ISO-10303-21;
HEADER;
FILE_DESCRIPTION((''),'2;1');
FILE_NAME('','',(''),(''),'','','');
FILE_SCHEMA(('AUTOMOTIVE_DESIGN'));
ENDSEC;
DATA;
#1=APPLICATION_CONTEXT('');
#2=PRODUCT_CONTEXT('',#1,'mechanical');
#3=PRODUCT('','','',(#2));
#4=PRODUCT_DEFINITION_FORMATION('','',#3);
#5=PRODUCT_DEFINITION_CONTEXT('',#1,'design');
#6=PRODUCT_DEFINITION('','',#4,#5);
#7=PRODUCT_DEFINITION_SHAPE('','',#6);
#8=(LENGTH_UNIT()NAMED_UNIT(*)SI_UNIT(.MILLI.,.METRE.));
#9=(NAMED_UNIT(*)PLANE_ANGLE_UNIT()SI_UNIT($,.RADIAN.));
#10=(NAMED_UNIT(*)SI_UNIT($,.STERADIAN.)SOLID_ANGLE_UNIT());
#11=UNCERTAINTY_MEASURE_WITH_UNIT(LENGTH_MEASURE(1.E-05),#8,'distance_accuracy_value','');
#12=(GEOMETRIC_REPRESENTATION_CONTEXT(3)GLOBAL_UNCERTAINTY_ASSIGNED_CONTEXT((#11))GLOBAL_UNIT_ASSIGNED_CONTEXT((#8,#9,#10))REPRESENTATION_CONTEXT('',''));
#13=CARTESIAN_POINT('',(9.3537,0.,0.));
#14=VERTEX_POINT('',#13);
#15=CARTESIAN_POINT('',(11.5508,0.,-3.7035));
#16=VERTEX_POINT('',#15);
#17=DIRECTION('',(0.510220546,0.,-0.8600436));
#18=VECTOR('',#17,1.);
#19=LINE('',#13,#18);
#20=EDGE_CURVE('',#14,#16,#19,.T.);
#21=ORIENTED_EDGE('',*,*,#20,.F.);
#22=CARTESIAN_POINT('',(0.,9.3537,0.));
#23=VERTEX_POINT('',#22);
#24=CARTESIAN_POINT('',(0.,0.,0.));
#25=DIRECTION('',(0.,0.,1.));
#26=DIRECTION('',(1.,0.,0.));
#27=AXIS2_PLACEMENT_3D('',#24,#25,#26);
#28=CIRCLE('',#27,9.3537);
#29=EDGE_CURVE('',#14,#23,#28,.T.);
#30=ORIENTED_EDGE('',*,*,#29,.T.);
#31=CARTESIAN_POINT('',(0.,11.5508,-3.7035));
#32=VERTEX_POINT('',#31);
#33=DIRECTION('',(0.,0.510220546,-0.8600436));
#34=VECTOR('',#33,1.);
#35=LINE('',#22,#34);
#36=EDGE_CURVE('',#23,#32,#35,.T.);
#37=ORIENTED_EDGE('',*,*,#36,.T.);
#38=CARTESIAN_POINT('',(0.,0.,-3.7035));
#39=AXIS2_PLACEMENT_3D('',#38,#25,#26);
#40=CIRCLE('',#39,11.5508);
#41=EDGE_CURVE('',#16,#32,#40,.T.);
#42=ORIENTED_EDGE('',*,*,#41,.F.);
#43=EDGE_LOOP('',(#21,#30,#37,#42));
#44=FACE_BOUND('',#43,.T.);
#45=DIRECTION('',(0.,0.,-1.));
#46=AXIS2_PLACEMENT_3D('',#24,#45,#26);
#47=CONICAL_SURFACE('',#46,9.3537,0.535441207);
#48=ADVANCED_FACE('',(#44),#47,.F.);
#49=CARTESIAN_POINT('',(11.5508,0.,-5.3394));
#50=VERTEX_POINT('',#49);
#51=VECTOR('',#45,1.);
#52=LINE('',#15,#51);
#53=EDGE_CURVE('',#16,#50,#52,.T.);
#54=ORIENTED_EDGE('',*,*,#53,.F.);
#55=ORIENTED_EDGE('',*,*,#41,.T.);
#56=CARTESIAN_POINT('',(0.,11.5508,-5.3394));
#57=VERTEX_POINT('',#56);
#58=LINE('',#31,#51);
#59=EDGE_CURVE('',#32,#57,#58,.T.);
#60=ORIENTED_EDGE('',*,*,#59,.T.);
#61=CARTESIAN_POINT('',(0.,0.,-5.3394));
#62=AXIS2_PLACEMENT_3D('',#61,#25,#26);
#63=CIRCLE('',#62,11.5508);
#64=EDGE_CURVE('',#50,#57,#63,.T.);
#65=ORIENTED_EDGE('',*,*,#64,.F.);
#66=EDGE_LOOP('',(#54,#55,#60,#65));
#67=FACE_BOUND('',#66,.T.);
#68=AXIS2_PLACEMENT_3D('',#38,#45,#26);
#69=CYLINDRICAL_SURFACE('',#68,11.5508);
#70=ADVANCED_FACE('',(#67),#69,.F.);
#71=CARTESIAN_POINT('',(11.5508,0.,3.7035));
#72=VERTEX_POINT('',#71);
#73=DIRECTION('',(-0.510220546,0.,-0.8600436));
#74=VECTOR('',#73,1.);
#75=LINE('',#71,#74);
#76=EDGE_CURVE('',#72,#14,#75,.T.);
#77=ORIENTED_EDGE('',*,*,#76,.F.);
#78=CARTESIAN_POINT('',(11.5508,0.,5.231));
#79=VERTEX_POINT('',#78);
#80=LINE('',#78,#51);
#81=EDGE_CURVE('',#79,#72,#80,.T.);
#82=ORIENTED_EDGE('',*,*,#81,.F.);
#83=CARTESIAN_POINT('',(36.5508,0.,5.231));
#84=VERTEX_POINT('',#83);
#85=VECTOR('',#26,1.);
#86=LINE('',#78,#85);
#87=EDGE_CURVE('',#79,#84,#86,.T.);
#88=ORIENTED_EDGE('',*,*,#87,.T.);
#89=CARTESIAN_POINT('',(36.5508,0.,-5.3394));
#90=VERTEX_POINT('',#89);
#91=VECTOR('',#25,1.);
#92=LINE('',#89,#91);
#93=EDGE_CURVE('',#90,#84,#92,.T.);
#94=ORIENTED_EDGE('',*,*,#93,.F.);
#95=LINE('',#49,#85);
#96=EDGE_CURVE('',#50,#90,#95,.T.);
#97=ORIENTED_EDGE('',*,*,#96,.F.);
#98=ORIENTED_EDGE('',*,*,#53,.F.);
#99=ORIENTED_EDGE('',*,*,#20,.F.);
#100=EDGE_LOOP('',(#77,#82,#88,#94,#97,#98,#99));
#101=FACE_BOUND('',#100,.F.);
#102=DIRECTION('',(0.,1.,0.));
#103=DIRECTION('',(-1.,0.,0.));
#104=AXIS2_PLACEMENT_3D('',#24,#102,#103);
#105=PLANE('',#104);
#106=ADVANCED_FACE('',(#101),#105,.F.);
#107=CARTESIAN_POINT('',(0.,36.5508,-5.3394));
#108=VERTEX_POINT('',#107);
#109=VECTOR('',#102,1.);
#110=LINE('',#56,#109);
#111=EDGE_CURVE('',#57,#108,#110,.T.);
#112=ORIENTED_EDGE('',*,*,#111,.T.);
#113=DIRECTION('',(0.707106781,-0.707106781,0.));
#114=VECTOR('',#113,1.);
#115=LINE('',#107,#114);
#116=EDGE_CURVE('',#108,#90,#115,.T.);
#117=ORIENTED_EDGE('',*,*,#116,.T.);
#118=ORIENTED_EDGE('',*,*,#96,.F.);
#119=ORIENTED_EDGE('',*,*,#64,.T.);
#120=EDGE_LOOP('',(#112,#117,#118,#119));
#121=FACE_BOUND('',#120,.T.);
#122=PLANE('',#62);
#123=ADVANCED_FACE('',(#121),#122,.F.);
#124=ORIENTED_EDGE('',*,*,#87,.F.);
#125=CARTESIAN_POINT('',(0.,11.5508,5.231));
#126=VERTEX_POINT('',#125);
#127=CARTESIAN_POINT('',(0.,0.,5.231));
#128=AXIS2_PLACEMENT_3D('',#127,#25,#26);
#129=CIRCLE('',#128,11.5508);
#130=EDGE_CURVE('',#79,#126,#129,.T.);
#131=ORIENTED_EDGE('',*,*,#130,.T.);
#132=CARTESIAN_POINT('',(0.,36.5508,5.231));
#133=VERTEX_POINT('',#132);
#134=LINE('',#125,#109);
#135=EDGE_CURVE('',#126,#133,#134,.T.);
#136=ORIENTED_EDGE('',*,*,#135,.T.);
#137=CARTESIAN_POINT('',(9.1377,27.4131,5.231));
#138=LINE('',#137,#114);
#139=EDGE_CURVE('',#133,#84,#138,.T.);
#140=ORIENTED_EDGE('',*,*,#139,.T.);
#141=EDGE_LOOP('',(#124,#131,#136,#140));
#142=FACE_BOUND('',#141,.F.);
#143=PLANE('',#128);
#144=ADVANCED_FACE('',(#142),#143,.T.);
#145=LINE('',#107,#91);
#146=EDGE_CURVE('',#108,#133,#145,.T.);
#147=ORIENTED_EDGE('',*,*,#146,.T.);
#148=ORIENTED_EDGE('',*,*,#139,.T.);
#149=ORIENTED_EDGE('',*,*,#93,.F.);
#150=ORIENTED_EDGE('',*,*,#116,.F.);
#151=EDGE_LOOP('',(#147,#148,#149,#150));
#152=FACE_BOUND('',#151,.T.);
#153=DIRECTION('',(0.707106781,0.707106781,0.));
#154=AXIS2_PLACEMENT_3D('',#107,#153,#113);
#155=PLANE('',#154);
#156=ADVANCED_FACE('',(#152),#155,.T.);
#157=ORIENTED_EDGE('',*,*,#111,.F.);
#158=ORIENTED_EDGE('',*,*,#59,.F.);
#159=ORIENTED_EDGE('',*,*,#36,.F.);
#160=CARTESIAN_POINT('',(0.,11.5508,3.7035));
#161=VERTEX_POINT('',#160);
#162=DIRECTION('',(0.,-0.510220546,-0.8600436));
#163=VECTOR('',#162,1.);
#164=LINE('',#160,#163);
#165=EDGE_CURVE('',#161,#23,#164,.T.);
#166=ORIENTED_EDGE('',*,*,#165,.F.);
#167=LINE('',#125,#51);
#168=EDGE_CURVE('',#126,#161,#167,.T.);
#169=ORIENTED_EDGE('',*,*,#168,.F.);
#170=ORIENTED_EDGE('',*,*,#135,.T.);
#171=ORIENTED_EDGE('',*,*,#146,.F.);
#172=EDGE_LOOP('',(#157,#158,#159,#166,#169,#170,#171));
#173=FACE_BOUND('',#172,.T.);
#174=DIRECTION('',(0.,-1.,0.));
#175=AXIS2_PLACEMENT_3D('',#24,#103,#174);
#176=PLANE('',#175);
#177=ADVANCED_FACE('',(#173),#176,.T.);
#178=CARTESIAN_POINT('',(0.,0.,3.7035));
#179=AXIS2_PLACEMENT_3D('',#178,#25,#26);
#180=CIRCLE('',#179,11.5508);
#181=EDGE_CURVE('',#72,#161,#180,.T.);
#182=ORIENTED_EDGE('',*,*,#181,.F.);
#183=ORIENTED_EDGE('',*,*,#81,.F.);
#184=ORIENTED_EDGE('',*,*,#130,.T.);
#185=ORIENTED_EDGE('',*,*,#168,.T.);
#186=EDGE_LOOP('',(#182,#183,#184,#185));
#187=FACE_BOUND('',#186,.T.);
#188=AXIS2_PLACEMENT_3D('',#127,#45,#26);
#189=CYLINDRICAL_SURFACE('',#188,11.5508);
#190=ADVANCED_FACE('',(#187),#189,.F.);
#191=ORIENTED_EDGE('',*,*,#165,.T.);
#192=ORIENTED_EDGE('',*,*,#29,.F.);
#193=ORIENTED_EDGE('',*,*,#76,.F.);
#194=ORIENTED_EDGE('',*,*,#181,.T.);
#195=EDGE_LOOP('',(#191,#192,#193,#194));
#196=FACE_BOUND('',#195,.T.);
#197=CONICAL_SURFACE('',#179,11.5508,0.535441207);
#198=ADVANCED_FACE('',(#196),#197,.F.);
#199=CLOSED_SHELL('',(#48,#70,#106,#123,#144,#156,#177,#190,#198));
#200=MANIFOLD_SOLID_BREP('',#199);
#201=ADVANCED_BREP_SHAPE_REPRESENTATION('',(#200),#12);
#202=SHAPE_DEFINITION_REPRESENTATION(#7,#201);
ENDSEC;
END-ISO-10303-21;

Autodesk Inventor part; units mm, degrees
ref_plane "YZ Plane" through (0, 0, 0) normal (1, 0, 0) x (0, 1, 0)
ref_plane "XZ Plane" through (0, 0, 0) normal (0, 1, 0) x (-1, 0, 0)
sketch "Sketch7" plane through (0, 0, 0) normal (0, 1, 0) x (-1, 0, 0)
  line L0 (0, 0) -> (0, 15.7673)
  line L1 (0, 0) -> (-13.3368, 0) construction
  line L2 (0, 15.7673) -> (-13.3368, 0) construction
  line L3 (0, 15.7673) -> (-18.6413, 0) construction
  line L4 (0, 15.7673) -> (-12.4569, -5.231) construction
  line L5 (0, 0) -> (0, -15.7673)
  line L6 (0, -15.7673) -> (-13.3368, 0) construction
  line L7 (0, -15.7673) -> (-18.6413, 0) construction
  line L8 (0, -15.7673) -> (-12.4569, 5.231) construction
  line L9 (-12.4569, 5.231) -> (-18.6413, 0) construction
  line L10 (-9.3537, 0) -> (-18.5948, -7.8164) construction
  line L11 (-9.3537, 0) -> (-18.0926, 7.3915) construction
  line L12 (0, -29.7093) -> (0, 66.7435) projected
  line L13 (-53.5, -5.9919) -> (-53.5, 6.008)
  line L14 (17.5786, 0) -> (-94.9714, 0) projected
  line L15 (-15.989, 2.2434) -> (-10.6846, -2.2434) construction
  line L16 (-10.6846, 2.2434) -> (-15.989, -2.2434) construction
  line L17 (-26.151, -15.9303) -> (-40.3783, -15.9303) construction
  line L18 (-40.3783, -15.9303) -> (-40.3783, -12.7539) construction
  line L19 (-40.3783, -12.7539) -> (-26.151, -12.7539) construction
  line L20 (-26.151, -12.7539) -> (-26.151, -15.9303) construction
  point P0 (-53.5, 0)
  dimension "Roller_Side_difference" = -0.0003
  dimension "d90" = 15.7673
  dimension "d201" = 53.5
  dimension "d343" = 99.548
  dimension "d344" = 99.549
  dimension "d367" = 8.1
sketch "Sketch44" plane through (0, 0, 0) normal (0, 1, 0) x (-1, 0, 0)
  line L0 (-18.7962, 0) -> (3.1509, -18.5634)
  line L1 (17.5786, 0) -> (-94.9714, 0) projected
  line L2 (-11.4508, 5.231) -> (-1, 5.231) projected
  line L3 (-14.3852, 5.231) -> (-53.5, 5.231) projected
  line L4 (0, 0) -> (0, 15.7673) projected
  line L5 (0, 0) -> (0, -15.8983)
  line L6 (-25.707, -7.6404) -> (3.3976, -7.6404)
  line L7 (-18.6413, 0) -> (0, -15.7673)
  point P0 (-3.6044, 0)
  point P1 (-9.6083, -7.6404)
  point P2 (0, -7.6404)
  dimension "d615" = 0.1
sketch "Sketch45" plane through (0, 0, 0) normal (0, 0, 1) x (1, 0, 0)
  line L0 (-12.5, 2.5) -> (12.5, 2.5)
  line L1 (12.5, 2.5) -> (12.5, -2.5)
  line L2 (12.5, -2.5) -> (-12.5, -2.5)
  line L3 (-12.5, -2.5) -> (-12.5, 2.5)
  line L4 (-12.5, 2.5) -> (12.5, -2.5) construction
  line L5 (12.5, 2.5) -> (-12.5, -2.5) construction
  point P0 (0, 0)
  dimension "d617" = 25
  dimension "d618" = 5
sketch "Sketch1" plane through (0, 0, 0) normal (0, 0, 1) x (1, 0, 0)
  circle A0 centre (0, 0) radius 13.3368 construction
  line L0 (0, 0) -> (13.3368, 0)
  line L1 (0, 0) -> (13.3368, 4.025)
  line L2 (13.3368, 0) -> (13.3368, 4.025)
  circle A1 centre (0, 0) radius 53.5
  point P0 (56.8, 0)
  dimension "d56" = 13.3368
  dimension "d57" = 4.025
  dimension "d400" = 53.5
  dimension "d495" = 2.5
  dimension "d496" = 8
  dimension "d531" = 5.5
  dimension "d532" = 5.5
  dimension "d533" = 5.5
  dimension "d537" = 24.5
  dimension "d538" = 3
  dimension "d543" = 5.5
  dimension "d549" = 3
  dimension "d550" = 3
  dimension "d567" = 5.5
  dimension "d568" = 5.5
sketch "Roller1" plane through (0, 0, 0) normal (0, 1, 0) x (-1, 0, 0)
  line L0 (0, 15.7673) -> (-12.4569, -5.231) construction
  line L1 (0, 15.7673) -> (-18.6413, 0) construction
  line L2 (-9.3537, 0) -> (-18.0926, 7.3915) construction
  line L3 (0, -15.7673) -> (-18.6413, 0) construction
  line L4 (-9.4248, -0.0708) -> (-12.4245, -5.1274)
  line L5 (-12.4245, -5.1274) -> (-18.5445, 0.0491)
  line L6 (-18.5445, 0.0491) -> (-14.0556, 3.846)
  line L7 (-14.0556, 3.846) -> (-9.4248, -0.0708)
  line L8 (-11.7456, 1.8921) -> (-15.4898, -2.5346)
  line L9 (-10.9821, 1.2463) -> (-14.7263, -3.1804)
  point P0 (0, 0)
  point P1 (-15.4845, -2.5391)
  dimension "d345" = 0.025
  dimension "d346" = 0.025
  dimension "d347" = 0.1
  dimension "d348" = 0.1
  dimension "d349" = 99.549
  dimension "d350" = 99.548
  dimension "d357" = 1
  dimension "d369" = 4.0148
sketch "Roller2" plane through (0, 0, 0) normal (0, 1, 0) x (-1, 0, 0)
  line L0 (0, -15.7673) -> (-12.4569, 5.231) construction
  line L1 (-9.3537, 0) -> (-18.5948, -7.8164) construction
  line L2 (0, -15.7673) -> (-18.6413, 0) construction
  line L3 (0, 15.7673) -> (-18.6413, 0) construction
  line L4 (-12.4245, 5.1274) -> (-9.4248, 0.0708)
  line L5 (-9.4248, 0.0708) -> (-14.0556, -3.846)
  line L6 (-14.0556, -3.846) -> (-18.5445, -0.0491)
  line L7 (-18.5445, -0.0491) -> (-12.4245, 5.1274)
  line L8 (-15.4845, 2.5391) -> (-11.7403, -1.8876)
  line L9 (-14.721, 3.1849) -> (-10.9767, -1.2418)
  point P0 (0, 0)
  dimension "d351" = 0.025
  dimension "d352" = 0.025
  dimension "d354" = 0.1
  dimension "d355" = 99.548
  dimension "d356" = 99.549
  dimension "d370" = 0.1
  dimension "d371" = 1
sketch "Sketch22" plane through (0, 0, 0) normal (0, 1, 0) x (-1, 0, 0)
  line L0 (-31.756, 8.0215) -> (-17.5287, 8.0215) construction
  line L1 (-17.5287, 8.0215) -> (-17.5287, 4.8451) construction
  line L2 (-17.5287, 4.8451) -> (-31.756, 4.8451) construction
  line L3 (-31.756, 4.8451) -> (-31.756, 8.0215) construction
  point P0 (0, 0)
  dimension "Roller_Side_difference" = -0.0003
sketch "Sketch2" plane through (0, 0, 0) normal (0, 1, 0) x (-1, 0, 0)
  line L0 (0, 0) -> (0, 13.3368) construction
  line L1 (0, 0) -> (-13.3368, 0) projected
  line L2 (0, 0) -> (0, -13.3368)
  line L3 (0, -13.3368) -> (-13.3368, 0) construction
  line L4 (0, 13.3368) -> (-13.3368, 0) construction
  line L5 (-78.8928, 52.9645) -> (0, 13.3368) construction
  line L6 (-34.8011, 15.91) -> (0, 13.3368) construction
  line L7 (-34.8011, 15.91) -> (0, -13.3368) construction
  line L8 (-48.3339, 16.9106) -> (0, -13.3368) construction
  point P0 (-17.4708, -4.134)
sketch "Sketch23" plane through (0, 0, 0) normal (0, 1, 0) x (-1, 0, 0)
  line L0 (0, -15.7673) -> (-12.4569, 5.231) construction
  line L1 (0, -15.7673) -> (-18.6413, 0) construction
  line L2 (0, 15.7673) -> (-12.4569, -5.231) construction
  line L3 (-12.4569, 5.231) -> (-18.6413, 0) construction
  line L4 (0, 15.7673) -> (-18.6413, 0) construction
  line L5 (-12.4569, 5.231) -> (-12.4569, -5.231) construction
  line L6 (17.5786, 0) -> (-94.9714, 0) projected
  line L7 (-11.4508, 3.731) -> (-9.2677, 0.051)
  line L8 (-9.2677, -0.051) -> (-11.4508, -3.731)
  line L9 (-14.3852, 3.731) -> (-18.7059, 0.0764)
  line L10 (-18.7059, -0.0764) -> (-14.3852, -3.731)
  arc A0 (-18.7059, 0.0764) -> (-18.7059, -0.0764) centre (-18.6413, 0) ccw
  arc A1 (-9.2677, -0.051) -> (-9.2677, 0.051) centre (-9.3537, 0) ccw
  line L11 (-11.4508, 3.731) -> (-11.4508, 5.231)
  line L12 (-11.4508, 5.231) -> (-1, 5.231)
  line L13 (-1, 5.231) -> (-1, -5.231)
  line L14 (-1, -5.231) -> (-11.4508, -5.231)
  line L15 (-11.4508, -5.231) -> (-11.4508, -3.731)
  line L16 (-14.3852, 3.731) -> (-14.3852, 5.231)
  line L17 (-14.3852, 5.231) -> (-53.5, 5.231)
  line L18 (-53.5, 5.231) -> (-53.5, -5.231)
  line L19 (-14.3852, -3.731) -> (-14.3852, -5.231)
  line L20 (-14.3852, -5.231) -> (-53.5, -5.231)
  line L21 (-12.4569, 5.231) -> (-12.4569, 5.231)
  line L22 (-12.4569, -5.231) -> (-12.4569, -5.231)
  line L23 (0, -29.7093) -> (0, 66.7435) projected
  line L24 (-18.7962, 0) -> (-53.5, 0)
  point P0 (0, 0)
  point P1 (-9.2374, 0)
  point P2 (-18.7413, 0)
  point P3 (-53.5, 0)
  dimension "d378" = 90
  dimension "d379" = 0.1
  dimension "d380" = 0.1
  dimension "d381" = 0.1
  dimension "d382" = 0.1
  dimension "d383" = 0.1
  dimension "d384" = 10.4619
  dimension "d385" = 0
  dimension "d386" = 0
  dimension "d391" = 1
  dimension "d392" = 53.5
  dimension "d393" = 1.5
  dimension "d394" = 1.5
  dimension "d395" = 1.5
  dimension "d396" = 1.5
sketch "Sketch46" plane through (0, 0, 0) normal (0, 1, 0) x (-1, 0, 0)
  line L0 (-11.4508, 3.731) -> (-9.2677, 0.051) projected
  line L1 (-9.2677, -0.051) -> (-11.4508, -3.731) projected
  arc A0 (-9.2677, -0.051) -> (-9.2677, 0.051) centre (-9.3537, 0) ccw projected
  line L2 (-11.4508, 3.731) -> (-11.4508, 5.231) projected
  line L3 (-11.4508, -5.231) -> (-11.4508, -3.731) projected
  line L4 (-11.5508, 5.231) -> (-11.5508, 3.7035)
  line L5 (-11.5508, 3.7035) -> (-9.3537, 0)
  line L6 (-9.3537, 0) -> (-11.5508, -3.7035)
  line L7 (-11.5508, -3.7035) -> (-11.5508, -5.3394)
  line L8 (-11.5508, 5.231) -> (-36.5508, 5.231)
  line L9 (-11.5508, -5.3394) -> (-36.5508, -5.3394)
  line L10 (-36.5508, -5.3394) -> (-36.5508, 5.231)
  line L11 (0, -29.7093) -> (0, 66.7435) projected
  point P0 (0, 0)
  dimension "d624" = 0.1
  dimension "d625" = 25
revolve "Revolution18" add sketch "Sketch46" angle 90 about axis through (0, 0, -10) along (0, 0, 1)
sketch "Sketch47" plane through (36.5508, 0, -5.3394) normal (0, 0, -1) x (-1, 0, 0)
  line L0 (36.5508, 36.5508) -> (0, 0)
  arc A0 (36.5508, 36.5508) -> (0, 0) centre (36.5508, 0) ccw projected
  point P0 (36.5508, 0)
extrude "Extrusion40" cut sketch "Sketch47" against normal through all
sketch "Sketch40" plane through (0, 0, -5.231) normal (0, 0, -1) x (-1, 0, 0)
  circle A0 centre (53.5, 0) radius 2.75 projected
  circle A1 centre (0, 0) radius 53.5 projected
  point P0 (53.4293, 2.7491)
  point P1 (53.4293, -2.7491)
  dimension "d585" = 8
  dimension "d587" = 1.75
  dimension "d589" = 3
  dimension "d592" = 2
  dimension "d593" = 12
  dimension "d594" = 12
  dimension "d611" = 360
equation "\"Roller_Side_difference\" = -0.001568deg"
equation "\"Cycloid_Top_Plate_Fasner_Inner\" = 61.25"
equation "\"Cycloid_Top_Plate_Fasner_Outer\" = 85.75"
equation "\"Roller_Hole_Radius\" = 1"
equation "\"Distance_To_Bearing\" = 20.65135"
equation "\"d514\" = 0.2"
properties part number "InnerRaceTool"
